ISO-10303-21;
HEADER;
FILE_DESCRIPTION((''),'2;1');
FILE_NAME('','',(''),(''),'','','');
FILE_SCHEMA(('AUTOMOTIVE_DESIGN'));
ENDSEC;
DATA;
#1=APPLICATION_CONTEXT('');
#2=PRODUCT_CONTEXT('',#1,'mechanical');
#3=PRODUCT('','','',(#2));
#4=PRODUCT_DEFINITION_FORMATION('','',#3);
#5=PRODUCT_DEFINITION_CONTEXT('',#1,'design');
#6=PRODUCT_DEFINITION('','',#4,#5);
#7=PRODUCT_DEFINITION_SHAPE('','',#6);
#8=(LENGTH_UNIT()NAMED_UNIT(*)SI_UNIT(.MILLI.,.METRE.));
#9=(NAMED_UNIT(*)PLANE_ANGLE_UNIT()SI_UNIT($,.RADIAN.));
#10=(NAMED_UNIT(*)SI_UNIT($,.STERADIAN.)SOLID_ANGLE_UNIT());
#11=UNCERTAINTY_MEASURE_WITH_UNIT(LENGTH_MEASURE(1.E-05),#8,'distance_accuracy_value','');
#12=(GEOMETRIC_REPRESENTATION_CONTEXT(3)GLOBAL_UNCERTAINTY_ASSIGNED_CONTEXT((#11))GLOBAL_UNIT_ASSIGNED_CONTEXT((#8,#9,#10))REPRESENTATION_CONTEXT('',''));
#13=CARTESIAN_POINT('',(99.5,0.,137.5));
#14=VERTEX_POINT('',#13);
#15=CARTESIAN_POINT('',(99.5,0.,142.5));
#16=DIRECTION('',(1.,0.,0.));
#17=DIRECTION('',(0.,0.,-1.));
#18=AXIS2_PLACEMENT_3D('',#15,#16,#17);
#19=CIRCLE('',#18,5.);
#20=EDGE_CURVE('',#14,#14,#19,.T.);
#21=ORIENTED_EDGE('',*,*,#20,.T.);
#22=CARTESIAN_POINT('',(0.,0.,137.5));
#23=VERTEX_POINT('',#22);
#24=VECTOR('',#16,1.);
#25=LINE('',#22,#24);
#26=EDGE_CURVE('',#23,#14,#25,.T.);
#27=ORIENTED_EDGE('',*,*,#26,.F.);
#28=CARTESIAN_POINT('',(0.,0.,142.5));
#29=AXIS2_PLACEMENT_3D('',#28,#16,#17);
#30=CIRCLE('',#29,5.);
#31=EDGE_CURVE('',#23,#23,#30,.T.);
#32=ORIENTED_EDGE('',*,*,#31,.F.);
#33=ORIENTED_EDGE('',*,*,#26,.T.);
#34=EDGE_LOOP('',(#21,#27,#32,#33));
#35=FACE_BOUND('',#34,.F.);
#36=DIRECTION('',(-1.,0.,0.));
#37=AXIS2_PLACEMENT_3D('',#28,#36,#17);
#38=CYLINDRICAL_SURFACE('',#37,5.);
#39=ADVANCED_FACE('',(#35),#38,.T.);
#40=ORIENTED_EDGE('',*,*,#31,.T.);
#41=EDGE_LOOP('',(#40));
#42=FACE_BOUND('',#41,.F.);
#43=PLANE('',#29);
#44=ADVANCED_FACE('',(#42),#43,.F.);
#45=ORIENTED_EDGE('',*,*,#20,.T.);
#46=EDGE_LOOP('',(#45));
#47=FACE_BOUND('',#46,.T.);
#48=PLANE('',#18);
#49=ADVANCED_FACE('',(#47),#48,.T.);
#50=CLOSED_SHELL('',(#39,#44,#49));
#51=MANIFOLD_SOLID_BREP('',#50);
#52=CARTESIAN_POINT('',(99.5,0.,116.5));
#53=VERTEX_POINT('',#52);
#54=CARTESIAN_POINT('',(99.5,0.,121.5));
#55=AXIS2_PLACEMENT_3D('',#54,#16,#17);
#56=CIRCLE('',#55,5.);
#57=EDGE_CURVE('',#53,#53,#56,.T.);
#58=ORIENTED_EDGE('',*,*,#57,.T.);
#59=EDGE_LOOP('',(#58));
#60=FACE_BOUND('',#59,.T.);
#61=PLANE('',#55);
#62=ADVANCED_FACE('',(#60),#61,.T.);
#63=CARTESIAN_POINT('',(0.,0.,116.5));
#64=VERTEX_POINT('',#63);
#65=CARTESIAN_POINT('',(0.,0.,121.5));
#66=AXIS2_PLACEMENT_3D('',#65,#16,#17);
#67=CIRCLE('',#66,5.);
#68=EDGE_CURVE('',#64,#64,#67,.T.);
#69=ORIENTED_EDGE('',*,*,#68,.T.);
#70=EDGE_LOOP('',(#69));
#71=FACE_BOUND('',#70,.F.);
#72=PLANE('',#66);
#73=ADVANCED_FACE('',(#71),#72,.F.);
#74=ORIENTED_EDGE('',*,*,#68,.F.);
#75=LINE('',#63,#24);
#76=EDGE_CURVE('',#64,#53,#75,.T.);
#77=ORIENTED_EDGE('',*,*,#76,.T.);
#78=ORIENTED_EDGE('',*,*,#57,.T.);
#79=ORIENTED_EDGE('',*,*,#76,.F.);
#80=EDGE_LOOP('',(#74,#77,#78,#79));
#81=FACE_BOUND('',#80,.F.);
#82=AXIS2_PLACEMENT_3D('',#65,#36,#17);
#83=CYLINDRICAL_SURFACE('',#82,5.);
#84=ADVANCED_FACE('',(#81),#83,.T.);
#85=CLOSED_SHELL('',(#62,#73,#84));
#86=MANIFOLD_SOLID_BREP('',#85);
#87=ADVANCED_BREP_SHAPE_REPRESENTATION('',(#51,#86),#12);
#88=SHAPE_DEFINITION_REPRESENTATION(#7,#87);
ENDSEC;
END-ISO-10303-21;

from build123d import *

# Parameters (mm, degrees)
CYLINDER028_R     = 5
CYLINDER028_DEPTH = 99.5
CYLINDER027_R     = 5
CYLINDER027_DEPTH = 99.5


with BuildPart() as cylinder028:
    # Cylinder028 → Cylinder028 (new body)
    with BuildSketch(Plane(origin=(0, 0, 142.5), x_dir=(0, 0, -1), z_dir=(1, 0, 0))):
        Circle(CYLINDER028_R)
    extrude(amount=CYLINDER028_DEPTH)


with BuildPart() as nitrogenpipes10mm002:
    # Cylinder027 → Cylinder027 (new body)
    with BuildSketch(Plane(origin=(0, 0, 121.5), x_dir=(0, 0, -1), z_dir=(1, 0, 0))):
        Circle(CYLINDER027_R)
    extrude(amount=CYLINDER027_DEPTH)

    # Fusion011: union Cylinder028
    add(cylinder028.part)


solid = nitrogenpipes10mm002.part
